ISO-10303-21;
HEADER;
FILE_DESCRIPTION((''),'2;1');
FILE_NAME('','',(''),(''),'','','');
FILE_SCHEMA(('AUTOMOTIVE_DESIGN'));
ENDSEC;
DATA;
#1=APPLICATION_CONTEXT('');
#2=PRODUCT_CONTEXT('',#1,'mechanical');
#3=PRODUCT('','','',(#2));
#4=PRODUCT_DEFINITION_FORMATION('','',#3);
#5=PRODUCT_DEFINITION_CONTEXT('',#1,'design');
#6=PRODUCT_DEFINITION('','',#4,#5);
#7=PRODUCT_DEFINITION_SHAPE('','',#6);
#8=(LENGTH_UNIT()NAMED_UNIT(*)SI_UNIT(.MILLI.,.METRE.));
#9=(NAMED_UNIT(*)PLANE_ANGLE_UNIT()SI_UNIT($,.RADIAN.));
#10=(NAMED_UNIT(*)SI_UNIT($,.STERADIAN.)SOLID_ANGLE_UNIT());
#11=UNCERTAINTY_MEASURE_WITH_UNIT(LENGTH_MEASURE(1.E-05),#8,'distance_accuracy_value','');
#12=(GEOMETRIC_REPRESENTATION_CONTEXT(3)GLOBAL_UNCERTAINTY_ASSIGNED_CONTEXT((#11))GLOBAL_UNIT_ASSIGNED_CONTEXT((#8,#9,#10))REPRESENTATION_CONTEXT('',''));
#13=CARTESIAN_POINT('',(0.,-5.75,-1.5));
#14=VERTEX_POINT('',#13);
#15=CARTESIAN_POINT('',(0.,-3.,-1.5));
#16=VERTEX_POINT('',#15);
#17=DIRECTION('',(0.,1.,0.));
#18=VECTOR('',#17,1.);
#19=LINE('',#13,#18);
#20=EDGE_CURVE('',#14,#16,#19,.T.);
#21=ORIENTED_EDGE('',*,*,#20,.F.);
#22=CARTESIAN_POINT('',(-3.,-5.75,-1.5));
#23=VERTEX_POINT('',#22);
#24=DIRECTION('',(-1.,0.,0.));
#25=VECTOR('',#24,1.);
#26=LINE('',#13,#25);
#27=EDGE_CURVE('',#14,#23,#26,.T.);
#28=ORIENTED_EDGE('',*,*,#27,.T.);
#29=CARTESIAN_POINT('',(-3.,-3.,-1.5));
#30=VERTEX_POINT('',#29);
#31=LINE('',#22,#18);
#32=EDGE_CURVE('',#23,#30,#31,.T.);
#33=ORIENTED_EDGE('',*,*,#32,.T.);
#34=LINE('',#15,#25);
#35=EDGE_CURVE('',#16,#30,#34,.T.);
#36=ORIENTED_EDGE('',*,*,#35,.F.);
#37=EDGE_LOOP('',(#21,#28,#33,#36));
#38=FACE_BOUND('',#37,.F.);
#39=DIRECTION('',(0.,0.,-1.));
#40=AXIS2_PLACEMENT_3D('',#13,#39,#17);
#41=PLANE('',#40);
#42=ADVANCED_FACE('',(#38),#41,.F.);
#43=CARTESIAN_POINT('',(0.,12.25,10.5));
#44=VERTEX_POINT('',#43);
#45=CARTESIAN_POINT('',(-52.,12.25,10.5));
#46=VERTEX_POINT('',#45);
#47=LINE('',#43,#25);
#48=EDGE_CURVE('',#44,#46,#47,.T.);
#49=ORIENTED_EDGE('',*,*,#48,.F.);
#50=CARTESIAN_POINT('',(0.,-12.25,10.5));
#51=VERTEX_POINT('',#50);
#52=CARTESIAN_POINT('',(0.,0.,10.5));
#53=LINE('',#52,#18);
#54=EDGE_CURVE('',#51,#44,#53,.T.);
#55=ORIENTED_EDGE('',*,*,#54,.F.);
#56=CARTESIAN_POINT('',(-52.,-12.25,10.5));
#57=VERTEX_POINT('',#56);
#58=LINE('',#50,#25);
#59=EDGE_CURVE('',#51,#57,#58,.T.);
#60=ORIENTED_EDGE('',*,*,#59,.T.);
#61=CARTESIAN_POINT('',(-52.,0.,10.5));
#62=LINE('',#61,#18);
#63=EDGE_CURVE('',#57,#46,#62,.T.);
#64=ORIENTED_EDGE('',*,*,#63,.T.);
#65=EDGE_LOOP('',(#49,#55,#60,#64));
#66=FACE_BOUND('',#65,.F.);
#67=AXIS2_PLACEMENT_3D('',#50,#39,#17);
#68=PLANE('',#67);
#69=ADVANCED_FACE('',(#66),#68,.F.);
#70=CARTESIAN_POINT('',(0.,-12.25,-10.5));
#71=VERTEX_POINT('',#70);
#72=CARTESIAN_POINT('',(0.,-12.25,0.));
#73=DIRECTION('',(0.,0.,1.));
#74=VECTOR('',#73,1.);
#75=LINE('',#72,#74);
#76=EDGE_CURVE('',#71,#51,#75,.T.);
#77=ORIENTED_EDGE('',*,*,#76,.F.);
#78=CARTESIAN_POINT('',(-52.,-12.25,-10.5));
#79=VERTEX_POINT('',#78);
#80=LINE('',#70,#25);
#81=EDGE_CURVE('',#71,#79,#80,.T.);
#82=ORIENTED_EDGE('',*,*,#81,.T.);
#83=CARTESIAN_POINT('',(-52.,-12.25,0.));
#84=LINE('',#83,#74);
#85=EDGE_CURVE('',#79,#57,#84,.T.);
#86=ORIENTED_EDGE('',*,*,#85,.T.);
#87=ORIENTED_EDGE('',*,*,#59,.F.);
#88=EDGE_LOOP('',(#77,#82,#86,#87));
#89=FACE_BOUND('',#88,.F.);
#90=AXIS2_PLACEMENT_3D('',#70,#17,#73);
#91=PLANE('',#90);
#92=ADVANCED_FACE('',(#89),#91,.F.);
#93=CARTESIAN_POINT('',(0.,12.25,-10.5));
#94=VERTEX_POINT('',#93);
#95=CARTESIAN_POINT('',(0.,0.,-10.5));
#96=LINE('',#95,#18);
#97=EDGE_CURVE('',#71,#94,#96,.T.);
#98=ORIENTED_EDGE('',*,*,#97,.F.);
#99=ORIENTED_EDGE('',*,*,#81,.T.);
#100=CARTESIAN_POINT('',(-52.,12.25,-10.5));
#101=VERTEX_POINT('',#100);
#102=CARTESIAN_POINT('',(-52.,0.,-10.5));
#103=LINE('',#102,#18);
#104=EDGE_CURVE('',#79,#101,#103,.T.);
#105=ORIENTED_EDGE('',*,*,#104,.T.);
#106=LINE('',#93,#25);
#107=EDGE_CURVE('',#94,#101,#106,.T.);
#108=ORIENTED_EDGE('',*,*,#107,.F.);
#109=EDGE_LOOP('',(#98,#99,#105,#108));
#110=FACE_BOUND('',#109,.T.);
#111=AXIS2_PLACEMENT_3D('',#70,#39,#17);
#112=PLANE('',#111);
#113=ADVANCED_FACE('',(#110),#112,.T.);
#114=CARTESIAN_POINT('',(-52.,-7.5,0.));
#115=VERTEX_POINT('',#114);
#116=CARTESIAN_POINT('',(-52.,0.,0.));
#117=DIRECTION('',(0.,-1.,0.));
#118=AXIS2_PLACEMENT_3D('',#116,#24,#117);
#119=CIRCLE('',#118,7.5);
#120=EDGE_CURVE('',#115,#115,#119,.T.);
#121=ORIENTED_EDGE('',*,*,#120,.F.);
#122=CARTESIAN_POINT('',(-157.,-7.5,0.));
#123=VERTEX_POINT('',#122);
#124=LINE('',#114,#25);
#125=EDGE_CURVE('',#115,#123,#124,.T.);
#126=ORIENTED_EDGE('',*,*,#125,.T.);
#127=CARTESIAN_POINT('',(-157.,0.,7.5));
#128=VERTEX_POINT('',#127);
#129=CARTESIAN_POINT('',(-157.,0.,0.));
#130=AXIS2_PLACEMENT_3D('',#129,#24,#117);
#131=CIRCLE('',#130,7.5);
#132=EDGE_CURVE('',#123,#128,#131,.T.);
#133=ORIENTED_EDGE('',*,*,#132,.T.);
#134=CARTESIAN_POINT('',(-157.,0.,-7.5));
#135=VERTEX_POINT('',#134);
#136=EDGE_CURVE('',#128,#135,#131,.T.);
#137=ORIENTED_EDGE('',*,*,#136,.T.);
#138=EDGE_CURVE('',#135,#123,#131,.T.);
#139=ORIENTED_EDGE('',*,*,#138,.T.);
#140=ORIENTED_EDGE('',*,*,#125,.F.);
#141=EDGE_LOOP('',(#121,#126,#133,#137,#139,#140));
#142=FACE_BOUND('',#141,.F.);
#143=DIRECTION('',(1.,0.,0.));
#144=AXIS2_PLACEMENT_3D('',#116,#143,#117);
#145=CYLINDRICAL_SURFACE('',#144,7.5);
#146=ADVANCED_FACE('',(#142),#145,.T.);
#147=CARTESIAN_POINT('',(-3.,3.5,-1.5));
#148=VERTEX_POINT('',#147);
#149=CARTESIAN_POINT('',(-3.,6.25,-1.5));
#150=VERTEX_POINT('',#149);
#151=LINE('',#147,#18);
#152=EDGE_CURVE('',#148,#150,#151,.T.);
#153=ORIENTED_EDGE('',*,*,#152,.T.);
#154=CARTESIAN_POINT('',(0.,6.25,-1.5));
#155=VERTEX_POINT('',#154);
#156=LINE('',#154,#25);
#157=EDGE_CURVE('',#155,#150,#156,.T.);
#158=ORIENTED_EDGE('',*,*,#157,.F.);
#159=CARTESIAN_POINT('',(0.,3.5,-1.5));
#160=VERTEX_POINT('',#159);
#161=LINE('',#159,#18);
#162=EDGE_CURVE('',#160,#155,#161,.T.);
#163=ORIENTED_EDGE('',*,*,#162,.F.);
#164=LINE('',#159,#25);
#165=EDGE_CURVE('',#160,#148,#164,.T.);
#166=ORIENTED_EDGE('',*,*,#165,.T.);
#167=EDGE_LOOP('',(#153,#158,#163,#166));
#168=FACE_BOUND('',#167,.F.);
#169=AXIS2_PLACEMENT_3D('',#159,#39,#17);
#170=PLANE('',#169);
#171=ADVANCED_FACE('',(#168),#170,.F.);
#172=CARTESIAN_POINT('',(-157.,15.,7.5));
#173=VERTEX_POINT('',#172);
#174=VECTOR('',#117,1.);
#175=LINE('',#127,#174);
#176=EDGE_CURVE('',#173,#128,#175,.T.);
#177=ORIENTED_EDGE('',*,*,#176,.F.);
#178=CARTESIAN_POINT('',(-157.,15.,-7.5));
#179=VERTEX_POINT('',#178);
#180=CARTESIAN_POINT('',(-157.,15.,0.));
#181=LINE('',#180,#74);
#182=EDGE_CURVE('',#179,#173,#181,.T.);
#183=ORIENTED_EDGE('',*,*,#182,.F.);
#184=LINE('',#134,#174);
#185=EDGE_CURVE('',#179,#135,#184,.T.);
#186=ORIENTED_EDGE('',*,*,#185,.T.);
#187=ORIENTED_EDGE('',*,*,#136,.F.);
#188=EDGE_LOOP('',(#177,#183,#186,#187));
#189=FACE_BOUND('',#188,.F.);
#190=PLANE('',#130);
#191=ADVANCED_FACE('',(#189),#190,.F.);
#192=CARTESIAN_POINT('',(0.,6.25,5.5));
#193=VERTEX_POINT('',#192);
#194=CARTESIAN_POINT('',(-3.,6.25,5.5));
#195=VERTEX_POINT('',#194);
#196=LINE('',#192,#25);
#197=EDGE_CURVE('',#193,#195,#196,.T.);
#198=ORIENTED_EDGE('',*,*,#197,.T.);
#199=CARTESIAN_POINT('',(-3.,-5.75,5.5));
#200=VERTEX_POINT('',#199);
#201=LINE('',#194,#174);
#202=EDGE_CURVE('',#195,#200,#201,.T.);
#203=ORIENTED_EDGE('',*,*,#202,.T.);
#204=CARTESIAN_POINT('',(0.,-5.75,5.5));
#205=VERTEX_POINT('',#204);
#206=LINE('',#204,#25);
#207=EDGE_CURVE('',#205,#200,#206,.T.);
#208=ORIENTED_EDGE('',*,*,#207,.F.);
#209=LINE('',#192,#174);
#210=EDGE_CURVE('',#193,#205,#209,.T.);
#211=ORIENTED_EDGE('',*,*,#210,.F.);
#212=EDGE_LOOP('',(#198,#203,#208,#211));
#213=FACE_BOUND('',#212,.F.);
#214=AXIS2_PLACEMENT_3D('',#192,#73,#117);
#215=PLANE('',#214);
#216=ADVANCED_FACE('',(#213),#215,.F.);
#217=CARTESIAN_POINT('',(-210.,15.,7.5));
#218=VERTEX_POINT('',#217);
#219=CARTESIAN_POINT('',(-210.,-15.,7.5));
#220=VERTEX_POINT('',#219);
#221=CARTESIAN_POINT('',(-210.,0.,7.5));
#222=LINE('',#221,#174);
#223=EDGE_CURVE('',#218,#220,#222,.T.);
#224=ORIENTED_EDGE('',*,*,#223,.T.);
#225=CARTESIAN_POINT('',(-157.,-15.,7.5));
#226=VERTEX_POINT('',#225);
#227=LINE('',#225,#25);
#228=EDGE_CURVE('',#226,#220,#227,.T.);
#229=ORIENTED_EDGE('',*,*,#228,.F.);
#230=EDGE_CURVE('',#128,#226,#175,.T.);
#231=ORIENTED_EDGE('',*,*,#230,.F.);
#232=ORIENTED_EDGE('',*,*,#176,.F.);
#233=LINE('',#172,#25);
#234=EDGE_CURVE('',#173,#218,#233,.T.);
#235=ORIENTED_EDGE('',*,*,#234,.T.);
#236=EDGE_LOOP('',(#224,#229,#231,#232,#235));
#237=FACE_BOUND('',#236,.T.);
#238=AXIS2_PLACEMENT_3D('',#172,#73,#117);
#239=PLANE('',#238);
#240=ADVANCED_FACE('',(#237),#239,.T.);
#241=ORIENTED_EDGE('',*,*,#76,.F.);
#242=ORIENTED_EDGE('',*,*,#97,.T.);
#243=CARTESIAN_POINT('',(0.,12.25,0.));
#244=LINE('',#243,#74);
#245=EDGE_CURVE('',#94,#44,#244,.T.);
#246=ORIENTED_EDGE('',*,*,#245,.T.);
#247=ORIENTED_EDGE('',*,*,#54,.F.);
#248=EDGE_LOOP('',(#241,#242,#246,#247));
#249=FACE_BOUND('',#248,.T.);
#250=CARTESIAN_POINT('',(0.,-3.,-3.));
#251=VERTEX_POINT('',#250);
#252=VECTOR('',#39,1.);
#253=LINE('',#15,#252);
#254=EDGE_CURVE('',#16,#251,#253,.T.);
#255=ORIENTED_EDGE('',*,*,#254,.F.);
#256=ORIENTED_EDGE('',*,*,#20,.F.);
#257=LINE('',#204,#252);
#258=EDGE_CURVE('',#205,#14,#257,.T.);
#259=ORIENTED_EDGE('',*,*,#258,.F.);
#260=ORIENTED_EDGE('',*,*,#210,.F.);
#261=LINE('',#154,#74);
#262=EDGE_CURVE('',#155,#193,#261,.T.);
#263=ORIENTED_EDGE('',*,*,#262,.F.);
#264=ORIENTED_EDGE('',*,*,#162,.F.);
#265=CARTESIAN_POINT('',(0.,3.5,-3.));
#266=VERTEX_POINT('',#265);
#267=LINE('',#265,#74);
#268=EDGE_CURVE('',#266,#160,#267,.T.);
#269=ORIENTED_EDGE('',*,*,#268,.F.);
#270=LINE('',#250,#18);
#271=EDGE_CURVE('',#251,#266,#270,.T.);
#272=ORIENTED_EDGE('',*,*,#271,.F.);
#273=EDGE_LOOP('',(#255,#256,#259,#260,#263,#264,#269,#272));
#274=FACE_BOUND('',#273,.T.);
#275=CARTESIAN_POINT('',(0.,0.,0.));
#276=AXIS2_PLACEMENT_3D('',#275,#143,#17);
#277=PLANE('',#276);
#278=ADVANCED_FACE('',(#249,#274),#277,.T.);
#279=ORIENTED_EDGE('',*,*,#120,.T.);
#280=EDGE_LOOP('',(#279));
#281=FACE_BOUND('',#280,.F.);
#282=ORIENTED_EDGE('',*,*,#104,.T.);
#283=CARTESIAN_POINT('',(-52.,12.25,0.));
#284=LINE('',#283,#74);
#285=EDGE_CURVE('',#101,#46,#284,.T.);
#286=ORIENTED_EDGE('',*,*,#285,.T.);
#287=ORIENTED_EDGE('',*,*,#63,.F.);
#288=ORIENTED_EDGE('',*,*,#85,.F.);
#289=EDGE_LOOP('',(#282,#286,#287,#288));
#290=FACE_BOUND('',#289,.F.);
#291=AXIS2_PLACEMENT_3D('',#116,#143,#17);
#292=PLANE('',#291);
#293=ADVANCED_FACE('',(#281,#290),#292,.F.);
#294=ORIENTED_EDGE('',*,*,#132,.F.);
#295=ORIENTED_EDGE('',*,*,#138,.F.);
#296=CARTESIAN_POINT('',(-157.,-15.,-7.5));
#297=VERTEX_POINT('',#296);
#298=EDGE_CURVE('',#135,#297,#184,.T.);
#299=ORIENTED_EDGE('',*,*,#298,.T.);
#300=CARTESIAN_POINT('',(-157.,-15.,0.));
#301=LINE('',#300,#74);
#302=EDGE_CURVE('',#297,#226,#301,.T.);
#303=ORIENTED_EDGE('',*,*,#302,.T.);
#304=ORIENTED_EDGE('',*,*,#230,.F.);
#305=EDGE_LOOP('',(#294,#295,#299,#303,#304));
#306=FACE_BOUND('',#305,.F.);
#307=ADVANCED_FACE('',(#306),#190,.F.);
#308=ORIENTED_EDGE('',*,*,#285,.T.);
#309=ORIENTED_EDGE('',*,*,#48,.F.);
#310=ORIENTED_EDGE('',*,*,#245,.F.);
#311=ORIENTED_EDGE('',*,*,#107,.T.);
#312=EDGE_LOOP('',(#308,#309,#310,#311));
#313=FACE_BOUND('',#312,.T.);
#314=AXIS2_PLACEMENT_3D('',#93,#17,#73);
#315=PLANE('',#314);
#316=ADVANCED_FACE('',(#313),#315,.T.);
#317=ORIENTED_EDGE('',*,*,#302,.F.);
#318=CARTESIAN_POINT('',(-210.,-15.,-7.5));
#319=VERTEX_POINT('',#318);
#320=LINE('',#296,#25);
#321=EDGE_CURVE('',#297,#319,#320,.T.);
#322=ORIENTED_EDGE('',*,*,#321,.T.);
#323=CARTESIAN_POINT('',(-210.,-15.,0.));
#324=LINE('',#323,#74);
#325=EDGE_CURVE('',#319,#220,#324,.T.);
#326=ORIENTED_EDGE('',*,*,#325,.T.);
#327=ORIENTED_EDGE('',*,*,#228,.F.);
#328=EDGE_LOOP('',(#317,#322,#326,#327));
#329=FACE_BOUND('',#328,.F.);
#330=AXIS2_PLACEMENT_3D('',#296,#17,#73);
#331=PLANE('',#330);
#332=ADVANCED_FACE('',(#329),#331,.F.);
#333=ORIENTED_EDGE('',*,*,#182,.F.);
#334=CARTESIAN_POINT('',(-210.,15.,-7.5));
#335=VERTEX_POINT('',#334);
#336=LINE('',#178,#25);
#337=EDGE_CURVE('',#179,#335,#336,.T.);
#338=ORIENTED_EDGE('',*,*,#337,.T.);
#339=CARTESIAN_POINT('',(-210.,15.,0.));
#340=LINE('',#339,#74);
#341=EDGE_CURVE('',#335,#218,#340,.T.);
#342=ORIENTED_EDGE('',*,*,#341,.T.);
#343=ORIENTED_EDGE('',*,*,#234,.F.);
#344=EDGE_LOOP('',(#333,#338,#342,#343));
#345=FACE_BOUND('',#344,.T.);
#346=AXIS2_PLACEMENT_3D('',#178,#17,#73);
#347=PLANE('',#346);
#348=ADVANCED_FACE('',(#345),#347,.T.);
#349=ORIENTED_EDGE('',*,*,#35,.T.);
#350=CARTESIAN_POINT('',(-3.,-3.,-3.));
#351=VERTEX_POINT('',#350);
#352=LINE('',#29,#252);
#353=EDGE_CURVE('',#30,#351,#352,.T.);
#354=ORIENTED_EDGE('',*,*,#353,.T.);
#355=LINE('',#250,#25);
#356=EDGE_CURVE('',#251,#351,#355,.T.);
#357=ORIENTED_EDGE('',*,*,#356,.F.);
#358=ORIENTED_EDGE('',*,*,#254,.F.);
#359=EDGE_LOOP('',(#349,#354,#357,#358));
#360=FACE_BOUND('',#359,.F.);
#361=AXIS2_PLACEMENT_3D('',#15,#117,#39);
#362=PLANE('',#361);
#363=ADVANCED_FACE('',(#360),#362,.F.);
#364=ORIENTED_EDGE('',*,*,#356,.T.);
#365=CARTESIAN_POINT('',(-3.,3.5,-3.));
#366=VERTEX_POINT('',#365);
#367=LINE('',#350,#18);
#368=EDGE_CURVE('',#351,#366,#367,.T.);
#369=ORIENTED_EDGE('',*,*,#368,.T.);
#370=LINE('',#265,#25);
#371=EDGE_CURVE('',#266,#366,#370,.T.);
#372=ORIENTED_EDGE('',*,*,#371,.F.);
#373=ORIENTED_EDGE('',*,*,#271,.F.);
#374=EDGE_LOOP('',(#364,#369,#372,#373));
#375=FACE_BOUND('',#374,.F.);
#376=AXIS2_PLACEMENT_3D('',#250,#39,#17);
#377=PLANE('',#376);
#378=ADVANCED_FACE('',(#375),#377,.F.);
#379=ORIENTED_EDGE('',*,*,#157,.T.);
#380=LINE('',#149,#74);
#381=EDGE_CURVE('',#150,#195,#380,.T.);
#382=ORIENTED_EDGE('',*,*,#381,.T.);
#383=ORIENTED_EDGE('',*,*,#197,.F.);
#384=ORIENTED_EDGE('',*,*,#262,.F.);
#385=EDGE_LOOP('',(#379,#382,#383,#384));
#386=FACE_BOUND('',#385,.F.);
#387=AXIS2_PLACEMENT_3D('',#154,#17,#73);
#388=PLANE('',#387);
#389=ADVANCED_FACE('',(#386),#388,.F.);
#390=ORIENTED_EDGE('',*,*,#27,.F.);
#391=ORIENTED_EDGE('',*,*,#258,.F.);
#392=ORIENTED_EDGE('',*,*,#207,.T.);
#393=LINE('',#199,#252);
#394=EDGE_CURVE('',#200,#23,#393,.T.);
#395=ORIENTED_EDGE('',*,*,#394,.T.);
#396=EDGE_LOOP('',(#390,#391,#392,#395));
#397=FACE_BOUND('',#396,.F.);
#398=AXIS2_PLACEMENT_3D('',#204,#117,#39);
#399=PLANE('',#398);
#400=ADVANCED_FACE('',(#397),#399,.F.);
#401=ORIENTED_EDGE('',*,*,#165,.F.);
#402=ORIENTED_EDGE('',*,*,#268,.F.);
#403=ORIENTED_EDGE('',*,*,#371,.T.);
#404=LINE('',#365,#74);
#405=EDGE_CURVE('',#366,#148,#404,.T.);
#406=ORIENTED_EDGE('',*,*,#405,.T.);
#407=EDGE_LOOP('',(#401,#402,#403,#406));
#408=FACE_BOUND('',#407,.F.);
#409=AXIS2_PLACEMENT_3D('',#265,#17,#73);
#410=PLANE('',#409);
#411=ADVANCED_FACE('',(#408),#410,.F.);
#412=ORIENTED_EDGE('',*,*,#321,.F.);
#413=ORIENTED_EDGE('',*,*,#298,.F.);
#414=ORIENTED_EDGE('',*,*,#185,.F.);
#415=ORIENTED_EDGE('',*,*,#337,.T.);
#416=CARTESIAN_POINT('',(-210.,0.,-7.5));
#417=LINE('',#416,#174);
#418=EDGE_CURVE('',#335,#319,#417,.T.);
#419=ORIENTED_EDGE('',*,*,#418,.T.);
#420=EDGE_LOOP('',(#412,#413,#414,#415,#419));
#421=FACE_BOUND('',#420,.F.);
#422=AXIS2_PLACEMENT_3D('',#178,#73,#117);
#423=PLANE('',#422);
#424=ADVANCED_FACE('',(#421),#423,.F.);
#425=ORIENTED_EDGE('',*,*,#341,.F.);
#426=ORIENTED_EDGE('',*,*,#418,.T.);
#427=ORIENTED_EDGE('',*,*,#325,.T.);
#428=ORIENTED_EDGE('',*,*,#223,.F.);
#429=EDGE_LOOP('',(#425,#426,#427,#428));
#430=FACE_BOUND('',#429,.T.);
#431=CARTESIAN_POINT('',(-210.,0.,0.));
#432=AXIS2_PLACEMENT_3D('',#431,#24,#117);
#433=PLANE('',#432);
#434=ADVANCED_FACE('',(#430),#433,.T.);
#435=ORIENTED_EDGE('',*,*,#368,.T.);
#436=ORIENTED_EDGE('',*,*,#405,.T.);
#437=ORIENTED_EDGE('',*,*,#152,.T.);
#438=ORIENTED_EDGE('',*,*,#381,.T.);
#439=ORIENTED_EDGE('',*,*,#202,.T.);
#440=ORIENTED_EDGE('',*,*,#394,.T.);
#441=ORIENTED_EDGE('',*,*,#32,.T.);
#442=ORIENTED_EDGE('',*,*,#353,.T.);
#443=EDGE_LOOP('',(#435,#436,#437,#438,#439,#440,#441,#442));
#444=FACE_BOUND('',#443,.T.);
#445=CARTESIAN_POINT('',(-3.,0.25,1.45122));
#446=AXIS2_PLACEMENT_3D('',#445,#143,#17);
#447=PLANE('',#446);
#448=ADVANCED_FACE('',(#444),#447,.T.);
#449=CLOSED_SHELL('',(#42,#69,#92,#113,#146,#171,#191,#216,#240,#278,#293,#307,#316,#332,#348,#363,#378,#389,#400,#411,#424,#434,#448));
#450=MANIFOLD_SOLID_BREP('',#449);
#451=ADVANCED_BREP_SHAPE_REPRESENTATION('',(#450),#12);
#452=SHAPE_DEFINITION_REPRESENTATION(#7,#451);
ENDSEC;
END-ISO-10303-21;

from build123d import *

# Parameters (mm, degrees)
F0_W     = 24.5
F0_H     = 21
F1_DEPTH = 52
F2_R     = 7.5
F3_DEPTH = 105
F4_W     = 30
F4_H     = 15
F5_DEPTH = 53
F6_DEPTH = 3


with BuildPart() as f1:
    # F0 (on Right) → F1 (new body)
    with BuildSketch(Plane.YZ):
        Rectangle(F0_W, F0_H)
        Polygon((-3, -1.5), (-5.75, -1.5), (-5.75, 5.5), (6.25, 5.5), (6.25, -1.5), (3.5, -1.5), (3.5, -3), (-3, -3), align=None, mode=Mode.SUBTRACT)
        Polygon((-5.75, 5.5), (-5.75, -1.5), (-3, -1.5), (-3, -3), (3.5, -3), (3.5, -1.5), (6.25, -1.5), (6.25, 5.5), align=None)
    extrude(amount=-F1_DEPTH)

    # F2 (on face) → F3 (join)
    with BuildSketch(Plane(origin=(-52, 0, 0), x_dir=(0, -1, 0), z_dir=(-1, 0, 0))):
        Circle(F2_R)
    extrude(amount=F3_DEPTH)

    # F4 (on face) → F5 (join)
    with BuildSketch(Plane(origin=(-157, 0, 0), x_dir=(0, -1, 0), z_dir=(-1, 0, 0))):
        Rectangle(F4_W, F4_H)
    extrude(amount=F5_DEPTH)

    # F0 (on Right) → F6 (cut)
    with BuildSketch(Plane.YZ):
        Polygon((-5.75, 5.5), (-5.75, -1.5), (-3, -1.5), (-3, -3), (3.5, -3), (3.5, -1.5), (6.25, -1.5), (6.25, 5.5), align=None)
    extrude(amount=-F6_DEPTH, mode=Mode.SUBTRACT)


solid = f1.part
